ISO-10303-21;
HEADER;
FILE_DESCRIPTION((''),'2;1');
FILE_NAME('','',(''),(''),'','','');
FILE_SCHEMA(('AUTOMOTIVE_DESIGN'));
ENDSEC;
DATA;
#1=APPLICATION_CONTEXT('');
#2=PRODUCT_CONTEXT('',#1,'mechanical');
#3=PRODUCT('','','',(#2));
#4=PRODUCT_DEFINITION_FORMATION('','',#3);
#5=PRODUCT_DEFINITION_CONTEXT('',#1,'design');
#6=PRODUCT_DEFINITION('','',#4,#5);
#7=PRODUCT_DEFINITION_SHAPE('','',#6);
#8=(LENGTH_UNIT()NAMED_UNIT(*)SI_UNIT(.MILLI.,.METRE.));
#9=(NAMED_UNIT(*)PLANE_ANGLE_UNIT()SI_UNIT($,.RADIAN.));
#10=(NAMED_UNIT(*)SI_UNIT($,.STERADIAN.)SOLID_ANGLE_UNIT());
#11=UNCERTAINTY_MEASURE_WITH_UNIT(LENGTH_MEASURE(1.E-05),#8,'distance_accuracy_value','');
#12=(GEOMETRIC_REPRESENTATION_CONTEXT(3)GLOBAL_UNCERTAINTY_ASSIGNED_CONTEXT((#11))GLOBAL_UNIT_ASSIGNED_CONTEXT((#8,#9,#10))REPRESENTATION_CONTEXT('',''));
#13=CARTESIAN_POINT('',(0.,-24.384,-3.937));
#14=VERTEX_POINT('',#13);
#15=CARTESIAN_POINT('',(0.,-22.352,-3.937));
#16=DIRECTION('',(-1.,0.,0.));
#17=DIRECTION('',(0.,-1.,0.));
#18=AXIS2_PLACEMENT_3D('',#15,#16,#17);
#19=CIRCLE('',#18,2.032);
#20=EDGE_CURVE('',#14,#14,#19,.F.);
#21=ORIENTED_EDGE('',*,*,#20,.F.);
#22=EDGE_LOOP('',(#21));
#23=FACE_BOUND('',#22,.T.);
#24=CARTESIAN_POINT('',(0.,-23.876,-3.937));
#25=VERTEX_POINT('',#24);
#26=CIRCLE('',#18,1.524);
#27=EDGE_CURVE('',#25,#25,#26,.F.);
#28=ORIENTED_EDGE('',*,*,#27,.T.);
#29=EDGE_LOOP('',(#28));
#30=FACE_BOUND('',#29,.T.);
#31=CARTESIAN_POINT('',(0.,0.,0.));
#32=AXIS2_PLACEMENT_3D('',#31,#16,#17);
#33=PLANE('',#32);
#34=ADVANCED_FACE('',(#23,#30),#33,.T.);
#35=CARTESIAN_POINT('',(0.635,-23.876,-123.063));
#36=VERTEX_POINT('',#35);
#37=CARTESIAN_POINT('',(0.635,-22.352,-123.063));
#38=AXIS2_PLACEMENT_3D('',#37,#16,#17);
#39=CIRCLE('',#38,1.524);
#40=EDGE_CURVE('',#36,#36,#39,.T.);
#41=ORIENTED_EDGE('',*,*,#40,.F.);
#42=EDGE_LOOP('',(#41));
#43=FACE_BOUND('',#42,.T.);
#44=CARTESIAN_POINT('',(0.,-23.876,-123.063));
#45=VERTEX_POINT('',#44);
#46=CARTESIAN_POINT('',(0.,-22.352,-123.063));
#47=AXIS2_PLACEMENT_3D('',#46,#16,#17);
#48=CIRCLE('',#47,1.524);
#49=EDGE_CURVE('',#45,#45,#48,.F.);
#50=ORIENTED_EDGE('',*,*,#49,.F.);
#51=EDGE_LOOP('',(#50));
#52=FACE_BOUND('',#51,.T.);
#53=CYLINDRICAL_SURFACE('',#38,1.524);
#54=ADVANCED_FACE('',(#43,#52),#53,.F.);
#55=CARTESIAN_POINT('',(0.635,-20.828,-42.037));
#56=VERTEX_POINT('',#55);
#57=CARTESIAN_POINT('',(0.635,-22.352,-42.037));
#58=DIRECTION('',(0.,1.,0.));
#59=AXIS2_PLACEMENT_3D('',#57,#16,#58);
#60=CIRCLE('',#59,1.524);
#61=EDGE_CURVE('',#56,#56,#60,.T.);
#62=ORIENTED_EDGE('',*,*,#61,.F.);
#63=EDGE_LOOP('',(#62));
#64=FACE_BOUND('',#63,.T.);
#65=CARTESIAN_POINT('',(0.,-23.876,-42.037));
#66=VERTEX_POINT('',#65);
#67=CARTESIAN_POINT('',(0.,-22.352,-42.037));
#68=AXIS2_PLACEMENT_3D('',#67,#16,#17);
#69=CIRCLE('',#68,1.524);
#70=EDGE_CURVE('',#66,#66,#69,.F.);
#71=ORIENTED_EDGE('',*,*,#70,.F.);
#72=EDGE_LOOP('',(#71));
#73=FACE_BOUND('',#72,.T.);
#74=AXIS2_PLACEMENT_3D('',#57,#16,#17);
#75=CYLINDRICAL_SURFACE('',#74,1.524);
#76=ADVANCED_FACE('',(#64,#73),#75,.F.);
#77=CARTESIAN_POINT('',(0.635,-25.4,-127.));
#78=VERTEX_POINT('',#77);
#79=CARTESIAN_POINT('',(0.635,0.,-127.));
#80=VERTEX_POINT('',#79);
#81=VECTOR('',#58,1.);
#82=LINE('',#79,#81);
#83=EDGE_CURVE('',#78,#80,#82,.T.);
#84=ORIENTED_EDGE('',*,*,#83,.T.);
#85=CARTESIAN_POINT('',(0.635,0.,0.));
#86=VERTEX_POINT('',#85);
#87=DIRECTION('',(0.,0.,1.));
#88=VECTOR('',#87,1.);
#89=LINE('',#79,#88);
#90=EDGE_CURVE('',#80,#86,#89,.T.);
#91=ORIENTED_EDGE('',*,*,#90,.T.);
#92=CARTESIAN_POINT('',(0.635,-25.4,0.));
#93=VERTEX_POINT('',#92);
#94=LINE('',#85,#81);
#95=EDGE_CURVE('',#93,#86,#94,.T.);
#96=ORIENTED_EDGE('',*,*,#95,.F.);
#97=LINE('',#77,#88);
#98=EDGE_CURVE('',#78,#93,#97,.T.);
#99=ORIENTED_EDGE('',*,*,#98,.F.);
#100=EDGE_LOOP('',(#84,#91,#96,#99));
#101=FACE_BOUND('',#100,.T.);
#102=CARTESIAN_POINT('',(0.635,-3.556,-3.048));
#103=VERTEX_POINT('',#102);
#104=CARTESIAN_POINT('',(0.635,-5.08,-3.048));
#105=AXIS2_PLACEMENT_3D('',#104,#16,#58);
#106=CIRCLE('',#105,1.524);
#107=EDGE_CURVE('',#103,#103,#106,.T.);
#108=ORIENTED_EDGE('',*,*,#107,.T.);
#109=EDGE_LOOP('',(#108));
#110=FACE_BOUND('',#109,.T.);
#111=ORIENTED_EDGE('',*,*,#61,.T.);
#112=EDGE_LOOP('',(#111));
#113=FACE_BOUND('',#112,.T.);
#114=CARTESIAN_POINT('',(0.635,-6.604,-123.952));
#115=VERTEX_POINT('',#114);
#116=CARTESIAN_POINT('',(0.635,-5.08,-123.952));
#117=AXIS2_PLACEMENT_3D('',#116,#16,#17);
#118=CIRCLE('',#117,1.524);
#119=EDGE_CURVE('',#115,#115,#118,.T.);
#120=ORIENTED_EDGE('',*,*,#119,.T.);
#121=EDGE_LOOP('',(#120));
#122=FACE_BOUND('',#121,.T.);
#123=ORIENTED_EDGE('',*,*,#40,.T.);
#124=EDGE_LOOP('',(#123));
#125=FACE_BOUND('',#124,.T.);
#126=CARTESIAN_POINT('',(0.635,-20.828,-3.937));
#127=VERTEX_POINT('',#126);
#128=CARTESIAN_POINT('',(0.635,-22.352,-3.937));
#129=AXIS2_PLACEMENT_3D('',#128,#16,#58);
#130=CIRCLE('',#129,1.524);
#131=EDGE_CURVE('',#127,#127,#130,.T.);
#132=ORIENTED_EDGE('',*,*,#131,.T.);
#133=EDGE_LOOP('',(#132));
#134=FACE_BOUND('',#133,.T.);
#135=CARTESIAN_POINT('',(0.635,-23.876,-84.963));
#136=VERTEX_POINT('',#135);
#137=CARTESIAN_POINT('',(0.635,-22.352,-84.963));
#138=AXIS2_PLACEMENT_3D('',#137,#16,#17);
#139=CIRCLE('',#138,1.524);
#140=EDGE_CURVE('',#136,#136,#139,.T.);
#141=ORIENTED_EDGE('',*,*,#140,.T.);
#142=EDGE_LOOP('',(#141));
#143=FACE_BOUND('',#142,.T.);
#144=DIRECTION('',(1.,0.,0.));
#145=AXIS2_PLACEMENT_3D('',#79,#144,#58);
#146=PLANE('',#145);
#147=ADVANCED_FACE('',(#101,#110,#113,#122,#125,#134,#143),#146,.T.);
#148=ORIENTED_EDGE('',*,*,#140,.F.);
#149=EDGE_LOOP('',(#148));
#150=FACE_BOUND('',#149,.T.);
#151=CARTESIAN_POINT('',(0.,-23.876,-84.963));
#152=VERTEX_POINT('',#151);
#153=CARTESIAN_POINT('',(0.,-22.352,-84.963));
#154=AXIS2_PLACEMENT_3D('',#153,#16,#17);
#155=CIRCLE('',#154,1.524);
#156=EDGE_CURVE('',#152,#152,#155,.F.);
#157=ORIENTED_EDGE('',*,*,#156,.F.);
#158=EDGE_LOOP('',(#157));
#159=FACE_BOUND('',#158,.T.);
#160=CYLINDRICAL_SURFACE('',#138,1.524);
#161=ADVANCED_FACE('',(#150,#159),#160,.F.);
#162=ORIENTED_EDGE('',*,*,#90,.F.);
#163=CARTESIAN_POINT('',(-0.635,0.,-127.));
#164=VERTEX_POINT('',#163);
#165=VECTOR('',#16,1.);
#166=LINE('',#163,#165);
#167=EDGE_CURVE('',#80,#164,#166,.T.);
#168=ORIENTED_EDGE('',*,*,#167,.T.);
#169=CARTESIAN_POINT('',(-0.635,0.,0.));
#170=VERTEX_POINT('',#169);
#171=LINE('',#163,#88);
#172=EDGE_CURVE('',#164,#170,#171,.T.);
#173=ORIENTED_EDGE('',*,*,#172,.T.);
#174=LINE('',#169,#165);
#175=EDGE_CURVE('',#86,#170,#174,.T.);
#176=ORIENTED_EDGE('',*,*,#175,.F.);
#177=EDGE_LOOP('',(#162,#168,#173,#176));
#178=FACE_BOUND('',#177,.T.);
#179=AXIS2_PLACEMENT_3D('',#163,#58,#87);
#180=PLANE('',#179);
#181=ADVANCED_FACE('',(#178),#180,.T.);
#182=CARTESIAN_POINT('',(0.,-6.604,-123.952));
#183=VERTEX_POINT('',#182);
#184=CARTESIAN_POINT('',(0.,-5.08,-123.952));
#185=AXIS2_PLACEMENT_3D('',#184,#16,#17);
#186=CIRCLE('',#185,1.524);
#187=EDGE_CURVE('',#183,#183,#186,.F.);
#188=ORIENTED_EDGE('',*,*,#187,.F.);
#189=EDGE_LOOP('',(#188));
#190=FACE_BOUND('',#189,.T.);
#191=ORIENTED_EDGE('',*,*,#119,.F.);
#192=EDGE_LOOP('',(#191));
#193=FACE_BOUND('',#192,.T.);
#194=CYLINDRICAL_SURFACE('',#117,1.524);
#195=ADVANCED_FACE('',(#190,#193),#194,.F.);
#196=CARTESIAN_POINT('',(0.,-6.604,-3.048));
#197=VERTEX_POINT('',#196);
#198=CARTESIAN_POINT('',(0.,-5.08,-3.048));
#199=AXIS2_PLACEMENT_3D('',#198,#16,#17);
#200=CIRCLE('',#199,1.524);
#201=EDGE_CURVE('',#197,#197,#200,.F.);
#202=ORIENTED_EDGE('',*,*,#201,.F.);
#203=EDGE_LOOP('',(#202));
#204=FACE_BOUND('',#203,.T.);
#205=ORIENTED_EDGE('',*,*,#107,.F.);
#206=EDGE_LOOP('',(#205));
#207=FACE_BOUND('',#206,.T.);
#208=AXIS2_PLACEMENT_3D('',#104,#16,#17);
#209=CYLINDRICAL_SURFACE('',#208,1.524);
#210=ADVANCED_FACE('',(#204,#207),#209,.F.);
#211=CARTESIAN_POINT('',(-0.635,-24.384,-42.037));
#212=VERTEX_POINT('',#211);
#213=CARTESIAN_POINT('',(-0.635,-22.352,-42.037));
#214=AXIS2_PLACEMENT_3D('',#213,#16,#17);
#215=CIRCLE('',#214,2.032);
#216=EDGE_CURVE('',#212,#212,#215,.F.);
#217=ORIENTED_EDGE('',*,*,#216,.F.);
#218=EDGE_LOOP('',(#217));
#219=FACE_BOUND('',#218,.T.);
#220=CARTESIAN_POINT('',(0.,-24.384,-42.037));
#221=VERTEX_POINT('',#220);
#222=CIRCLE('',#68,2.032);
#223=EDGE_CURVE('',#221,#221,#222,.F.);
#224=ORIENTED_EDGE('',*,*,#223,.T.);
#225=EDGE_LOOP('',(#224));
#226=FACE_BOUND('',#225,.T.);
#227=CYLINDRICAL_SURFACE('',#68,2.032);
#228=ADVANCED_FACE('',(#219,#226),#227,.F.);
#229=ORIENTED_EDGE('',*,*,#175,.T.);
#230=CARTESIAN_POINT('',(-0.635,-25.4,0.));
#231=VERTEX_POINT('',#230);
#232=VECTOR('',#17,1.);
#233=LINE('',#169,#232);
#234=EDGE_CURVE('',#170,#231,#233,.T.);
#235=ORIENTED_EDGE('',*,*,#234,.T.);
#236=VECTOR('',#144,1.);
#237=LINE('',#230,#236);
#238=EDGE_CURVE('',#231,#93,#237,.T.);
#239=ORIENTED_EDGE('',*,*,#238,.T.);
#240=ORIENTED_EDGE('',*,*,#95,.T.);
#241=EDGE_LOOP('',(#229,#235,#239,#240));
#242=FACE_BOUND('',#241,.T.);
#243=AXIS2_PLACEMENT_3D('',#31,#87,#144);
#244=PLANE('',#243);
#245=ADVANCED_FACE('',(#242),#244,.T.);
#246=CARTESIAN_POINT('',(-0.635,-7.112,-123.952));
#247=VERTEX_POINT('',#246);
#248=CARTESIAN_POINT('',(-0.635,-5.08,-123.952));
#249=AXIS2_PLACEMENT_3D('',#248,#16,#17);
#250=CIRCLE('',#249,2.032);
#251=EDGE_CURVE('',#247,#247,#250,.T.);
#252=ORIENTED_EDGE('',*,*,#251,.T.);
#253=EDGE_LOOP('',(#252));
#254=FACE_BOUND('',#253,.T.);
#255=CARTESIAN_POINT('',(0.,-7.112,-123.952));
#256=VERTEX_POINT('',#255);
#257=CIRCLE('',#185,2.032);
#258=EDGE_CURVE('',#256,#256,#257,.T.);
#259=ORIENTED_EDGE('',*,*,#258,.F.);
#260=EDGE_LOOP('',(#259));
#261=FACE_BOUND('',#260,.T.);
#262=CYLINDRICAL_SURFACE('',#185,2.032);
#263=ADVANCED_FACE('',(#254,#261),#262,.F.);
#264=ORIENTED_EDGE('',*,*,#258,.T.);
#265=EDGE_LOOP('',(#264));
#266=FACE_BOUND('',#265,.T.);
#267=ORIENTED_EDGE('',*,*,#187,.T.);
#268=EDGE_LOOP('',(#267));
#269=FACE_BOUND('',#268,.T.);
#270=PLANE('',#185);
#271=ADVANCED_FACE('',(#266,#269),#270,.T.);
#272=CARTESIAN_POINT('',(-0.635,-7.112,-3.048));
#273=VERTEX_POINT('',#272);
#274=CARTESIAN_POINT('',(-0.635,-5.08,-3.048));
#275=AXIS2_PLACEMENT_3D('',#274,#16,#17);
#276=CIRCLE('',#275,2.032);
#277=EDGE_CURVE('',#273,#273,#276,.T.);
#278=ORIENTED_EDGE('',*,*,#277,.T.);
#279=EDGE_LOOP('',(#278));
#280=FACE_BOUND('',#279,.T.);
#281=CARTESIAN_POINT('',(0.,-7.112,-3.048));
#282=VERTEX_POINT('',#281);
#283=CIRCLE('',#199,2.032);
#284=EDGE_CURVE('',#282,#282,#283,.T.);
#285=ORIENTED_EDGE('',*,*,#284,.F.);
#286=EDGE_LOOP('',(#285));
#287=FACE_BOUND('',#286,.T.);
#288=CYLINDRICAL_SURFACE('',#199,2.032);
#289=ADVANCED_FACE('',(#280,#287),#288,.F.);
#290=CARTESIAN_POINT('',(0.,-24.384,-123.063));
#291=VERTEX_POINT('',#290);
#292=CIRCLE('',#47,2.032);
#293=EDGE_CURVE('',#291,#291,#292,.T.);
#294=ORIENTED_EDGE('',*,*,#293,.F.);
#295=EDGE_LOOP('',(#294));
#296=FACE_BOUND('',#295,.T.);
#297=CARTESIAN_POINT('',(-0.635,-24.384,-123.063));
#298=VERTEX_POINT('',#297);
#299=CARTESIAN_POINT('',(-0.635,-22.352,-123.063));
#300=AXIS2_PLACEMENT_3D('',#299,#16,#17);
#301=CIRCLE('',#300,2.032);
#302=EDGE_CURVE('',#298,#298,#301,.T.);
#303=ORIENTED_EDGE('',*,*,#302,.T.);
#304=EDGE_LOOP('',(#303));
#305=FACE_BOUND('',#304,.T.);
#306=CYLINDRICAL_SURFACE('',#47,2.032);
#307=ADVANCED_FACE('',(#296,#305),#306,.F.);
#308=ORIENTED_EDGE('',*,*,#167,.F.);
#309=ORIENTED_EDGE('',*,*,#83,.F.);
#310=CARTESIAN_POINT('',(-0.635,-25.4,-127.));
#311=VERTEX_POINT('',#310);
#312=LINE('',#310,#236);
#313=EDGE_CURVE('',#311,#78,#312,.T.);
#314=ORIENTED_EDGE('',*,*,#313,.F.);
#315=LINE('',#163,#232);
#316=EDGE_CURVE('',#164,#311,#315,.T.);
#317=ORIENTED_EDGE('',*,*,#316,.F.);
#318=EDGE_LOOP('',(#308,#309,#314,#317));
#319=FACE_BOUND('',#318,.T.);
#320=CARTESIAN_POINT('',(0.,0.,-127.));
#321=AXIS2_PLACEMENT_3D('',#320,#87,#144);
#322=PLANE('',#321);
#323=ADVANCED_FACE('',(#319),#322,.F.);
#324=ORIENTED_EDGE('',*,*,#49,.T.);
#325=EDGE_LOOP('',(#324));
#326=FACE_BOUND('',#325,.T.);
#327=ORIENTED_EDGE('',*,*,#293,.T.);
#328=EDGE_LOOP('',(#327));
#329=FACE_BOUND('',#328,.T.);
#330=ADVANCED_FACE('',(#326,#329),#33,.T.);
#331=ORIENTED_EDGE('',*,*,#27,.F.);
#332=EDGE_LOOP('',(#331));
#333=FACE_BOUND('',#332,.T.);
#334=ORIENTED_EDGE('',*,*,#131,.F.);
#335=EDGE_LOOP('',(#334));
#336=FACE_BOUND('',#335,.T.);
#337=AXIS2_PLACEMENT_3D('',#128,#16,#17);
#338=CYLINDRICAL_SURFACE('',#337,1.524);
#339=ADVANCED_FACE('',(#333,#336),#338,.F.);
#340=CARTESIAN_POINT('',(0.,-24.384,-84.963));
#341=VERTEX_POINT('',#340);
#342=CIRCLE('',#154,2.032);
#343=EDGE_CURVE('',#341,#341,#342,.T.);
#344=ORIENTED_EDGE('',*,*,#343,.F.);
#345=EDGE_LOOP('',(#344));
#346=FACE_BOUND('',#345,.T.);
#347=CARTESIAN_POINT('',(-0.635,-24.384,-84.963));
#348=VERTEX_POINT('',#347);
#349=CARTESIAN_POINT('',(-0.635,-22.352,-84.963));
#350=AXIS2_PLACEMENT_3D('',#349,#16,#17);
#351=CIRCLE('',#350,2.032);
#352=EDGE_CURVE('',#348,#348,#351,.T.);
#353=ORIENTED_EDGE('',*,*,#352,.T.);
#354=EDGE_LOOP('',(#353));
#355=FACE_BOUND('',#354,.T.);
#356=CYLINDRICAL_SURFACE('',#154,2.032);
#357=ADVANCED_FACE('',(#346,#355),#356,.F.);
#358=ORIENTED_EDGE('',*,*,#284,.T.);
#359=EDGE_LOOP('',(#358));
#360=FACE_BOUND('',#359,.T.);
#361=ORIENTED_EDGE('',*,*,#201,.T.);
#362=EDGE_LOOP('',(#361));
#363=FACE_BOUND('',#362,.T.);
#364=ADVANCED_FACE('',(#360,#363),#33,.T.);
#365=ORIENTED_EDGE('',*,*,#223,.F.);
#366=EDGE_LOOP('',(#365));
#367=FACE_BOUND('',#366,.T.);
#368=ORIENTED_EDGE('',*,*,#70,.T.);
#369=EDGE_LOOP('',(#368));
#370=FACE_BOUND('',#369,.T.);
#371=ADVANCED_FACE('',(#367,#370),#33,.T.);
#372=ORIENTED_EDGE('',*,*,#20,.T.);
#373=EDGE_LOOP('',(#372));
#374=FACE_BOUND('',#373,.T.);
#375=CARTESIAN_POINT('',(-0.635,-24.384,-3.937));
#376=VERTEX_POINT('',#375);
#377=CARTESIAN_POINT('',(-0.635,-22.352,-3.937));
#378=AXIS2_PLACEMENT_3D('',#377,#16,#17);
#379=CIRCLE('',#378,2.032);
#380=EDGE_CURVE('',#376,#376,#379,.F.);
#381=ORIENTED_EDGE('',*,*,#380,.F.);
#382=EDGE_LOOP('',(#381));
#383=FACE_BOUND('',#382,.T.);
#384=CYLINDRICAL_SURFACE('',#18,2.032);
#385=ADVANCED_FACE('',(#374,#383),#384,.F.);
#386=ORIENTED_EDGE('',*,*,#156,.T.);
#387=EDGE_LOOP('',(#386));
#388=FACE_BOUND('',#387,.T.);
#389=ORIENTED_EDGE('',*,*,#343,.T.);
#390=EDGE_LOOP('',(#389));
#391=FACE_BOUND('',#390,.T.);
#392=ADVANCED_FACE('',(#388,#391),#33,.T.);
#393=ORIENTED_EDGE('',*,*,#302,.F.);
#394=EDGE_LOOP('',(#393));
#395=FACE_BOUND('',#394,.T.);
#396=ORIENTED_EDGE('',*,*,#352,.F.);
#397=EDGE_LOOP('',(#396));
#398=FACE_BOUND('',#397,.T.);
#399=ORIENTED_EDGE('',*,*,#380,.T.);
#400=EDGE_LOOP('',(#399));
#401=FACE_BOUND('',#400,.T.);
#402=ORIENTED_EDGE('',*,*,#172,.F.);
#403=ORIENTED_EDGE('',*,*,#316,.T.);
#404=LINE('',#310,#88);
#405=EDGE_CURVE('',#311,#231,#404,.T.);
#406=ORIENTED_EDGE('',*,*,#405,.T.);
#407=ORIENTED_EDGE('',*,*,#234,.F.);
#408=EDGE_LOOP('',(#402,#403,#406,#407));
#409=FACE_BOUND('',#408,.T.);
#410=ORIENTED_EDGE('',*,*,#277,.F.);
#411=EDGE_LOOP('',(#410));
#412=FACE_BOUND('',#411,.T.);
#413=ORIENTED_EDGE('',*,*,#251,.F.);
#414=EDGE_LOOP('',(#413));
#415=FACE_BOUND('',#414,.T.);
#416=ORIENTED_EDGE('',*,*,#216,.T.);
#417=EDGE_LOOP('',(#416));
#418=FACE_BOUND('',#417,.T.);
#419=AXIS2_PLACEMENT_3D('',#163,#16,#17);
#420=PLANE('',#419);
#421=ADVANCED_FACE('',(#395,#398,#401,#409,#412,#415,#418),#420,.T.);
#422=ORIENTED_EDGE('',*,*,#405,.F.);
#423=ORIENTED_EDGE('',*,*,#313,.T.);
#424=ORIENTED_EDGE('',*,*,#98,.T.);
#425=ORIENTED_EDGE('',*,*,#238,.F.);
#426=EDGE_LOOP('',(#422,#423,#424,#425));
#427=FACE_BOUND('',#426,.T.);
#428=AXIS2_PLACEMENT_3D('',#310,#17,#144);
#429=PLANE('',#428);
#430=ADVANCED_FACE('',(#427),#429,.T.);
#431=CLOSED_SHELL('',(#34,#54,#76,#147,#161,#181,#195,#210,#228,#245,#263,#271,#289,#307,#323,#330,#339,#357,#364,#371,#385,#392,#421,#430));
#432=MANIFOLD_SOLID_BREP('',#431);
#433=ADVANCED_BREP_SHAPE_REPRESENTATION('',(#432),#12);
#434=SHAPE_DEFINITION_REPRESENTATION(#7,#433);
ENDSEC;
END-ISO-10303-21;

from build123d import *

# Parameters (mm, degrees)
SKETCH3_W           = 1.27
SKETCH3_H           = 25.4
BOSS_EXTRUDE1_DEPTH = 127
SKETCH5_R           = 1.524
CUT_EXTRUDE1_DEPTH  = 1.27
SKETCH6_R           = 2.032
SKETCH6_R_2         = 1.524
CUT_EXTRUDE3_DEPTH  = 0.635


with BuildPart() as part:
    # Sketch3 → Boss-Extrude1 (new body)
    with BuildSketch(Plane.XY):
        with Locations((0, -12.7)):
            Rectangle(SKETCH3_W, SKETCH3_H)
    extrude(amount=-BOSS_EXTRUDE1_DEPTH)

    # Sketch5 → Cut-Extrude1 (cut)
    with BuildSketch(Plane.ZY.offset(0.635)):
        with Locations(Location((-123.063, -22.352, 0), (0, 0, 270))):
            Circle(SKETCH5_R)
        with Locations(Location((-84.963, -22.352, 0), (0, 0, 270))):
            Circle(SKETCH5_R)
        with Locations(Location((-123.952, -5.08, 0), (0, 0, 270))):
            Circle(SKETCH5_R)
        with Locations(Location((-42.037, -22.352, 0), (0, 0, 90))):
            Circle(SKETCH5_R)
        with Locations(Location((-3.937, -22.352, 0), (0, 0, 90))):
            Circle(SKETCH5_R)
        with Locations(Location((-3.048, -5.08, 0), (0, 0, 90))):
            Circle(SKETCH5_R)
    extrude(amount=-CUT_EXTRUDE1_DEPTH, mode=Mode.SUBTRACT)

    # Sketch6 → Cut-Extrude3 (cut)
    # profile 1 of 6: a face of its own
    with BuildSketch(Plane.ZY.offset(0.635)):
        with Locations(Location((-123.063, -22.352, 0), (0, 0, 270))):
            Circle(SKETCH6_R)
        with Locations(Location((-123.063, -22.352, 0), (0, 0, 270))):
            Circle(SKETCH6_R_2, mode=Mode.SUBTRACT)
    # profile 2 of 6: a face of its own
    with BuildSketch(Plane.ZY.offset(0.635)):
        with Locations(Location((-84.963, -22.352, 0), (0, 0, 270))):
            Circle(SKETCH6_R)
        with Locations(Location((-84.963, -22.352, 0), (0, 0, 270))):
            Circle(SKETCH6_R_2, mode=Mode.SUBTRACT)
    # profile 3 of 6: a face of its own
    with BuildSketch(Plane.ZY.offset(0.635)):
        with Locations(Location((-42.037, -22.352, 0), (0, 0, 270))):
            Circle(SKETCH6_R)
        with Locations(Location((-42.037, -22.352, 0), (0, 0, 270))):
            Circle(SKETCH6_R_2, mode=Mode.SUBTRACT)
    # profile 4 of 6: a face of its own
    with BuildSketch(Plane.ZY.offset(0.635)):
        with Locations(Location((-3.937, -22.352, 0), (0, 0, 270))):
            Circle(SKETCH6_R)
        with Locations(Location((-3.937, -22.352, 0), (0, 0, 270))):
            Circle(SKETCH6_R_2, mode=Mode.SUBTRACT)
    # profile 5 of 6: a face of its own
    with BuildSketch(Plane.ZY.offset(0.635)):
        with Locations(Location((-3.048, -5.08, 0), (0, 0, 270))):
            Circle(SKETCH6_R)
        with Locations(Location((-3.048, -5.08, 0), (0, 0, 270))):
            Circle(SKETCH6_R_2, mode=Mode.SUBTRACT)
    # profile 6 of 6: a face of its own
    with BuildSketch(Plane.ZY.offset(0.635)):
        with Locations(Location((-123.952, -5.08, 0), (0, 0, 270))):
            Circle(SKETCH6_R)
    extrude(amount=-CUT_EXTRUDE3_DEPTH, mode=Mode.SUBTRACT)


solid = part.part
